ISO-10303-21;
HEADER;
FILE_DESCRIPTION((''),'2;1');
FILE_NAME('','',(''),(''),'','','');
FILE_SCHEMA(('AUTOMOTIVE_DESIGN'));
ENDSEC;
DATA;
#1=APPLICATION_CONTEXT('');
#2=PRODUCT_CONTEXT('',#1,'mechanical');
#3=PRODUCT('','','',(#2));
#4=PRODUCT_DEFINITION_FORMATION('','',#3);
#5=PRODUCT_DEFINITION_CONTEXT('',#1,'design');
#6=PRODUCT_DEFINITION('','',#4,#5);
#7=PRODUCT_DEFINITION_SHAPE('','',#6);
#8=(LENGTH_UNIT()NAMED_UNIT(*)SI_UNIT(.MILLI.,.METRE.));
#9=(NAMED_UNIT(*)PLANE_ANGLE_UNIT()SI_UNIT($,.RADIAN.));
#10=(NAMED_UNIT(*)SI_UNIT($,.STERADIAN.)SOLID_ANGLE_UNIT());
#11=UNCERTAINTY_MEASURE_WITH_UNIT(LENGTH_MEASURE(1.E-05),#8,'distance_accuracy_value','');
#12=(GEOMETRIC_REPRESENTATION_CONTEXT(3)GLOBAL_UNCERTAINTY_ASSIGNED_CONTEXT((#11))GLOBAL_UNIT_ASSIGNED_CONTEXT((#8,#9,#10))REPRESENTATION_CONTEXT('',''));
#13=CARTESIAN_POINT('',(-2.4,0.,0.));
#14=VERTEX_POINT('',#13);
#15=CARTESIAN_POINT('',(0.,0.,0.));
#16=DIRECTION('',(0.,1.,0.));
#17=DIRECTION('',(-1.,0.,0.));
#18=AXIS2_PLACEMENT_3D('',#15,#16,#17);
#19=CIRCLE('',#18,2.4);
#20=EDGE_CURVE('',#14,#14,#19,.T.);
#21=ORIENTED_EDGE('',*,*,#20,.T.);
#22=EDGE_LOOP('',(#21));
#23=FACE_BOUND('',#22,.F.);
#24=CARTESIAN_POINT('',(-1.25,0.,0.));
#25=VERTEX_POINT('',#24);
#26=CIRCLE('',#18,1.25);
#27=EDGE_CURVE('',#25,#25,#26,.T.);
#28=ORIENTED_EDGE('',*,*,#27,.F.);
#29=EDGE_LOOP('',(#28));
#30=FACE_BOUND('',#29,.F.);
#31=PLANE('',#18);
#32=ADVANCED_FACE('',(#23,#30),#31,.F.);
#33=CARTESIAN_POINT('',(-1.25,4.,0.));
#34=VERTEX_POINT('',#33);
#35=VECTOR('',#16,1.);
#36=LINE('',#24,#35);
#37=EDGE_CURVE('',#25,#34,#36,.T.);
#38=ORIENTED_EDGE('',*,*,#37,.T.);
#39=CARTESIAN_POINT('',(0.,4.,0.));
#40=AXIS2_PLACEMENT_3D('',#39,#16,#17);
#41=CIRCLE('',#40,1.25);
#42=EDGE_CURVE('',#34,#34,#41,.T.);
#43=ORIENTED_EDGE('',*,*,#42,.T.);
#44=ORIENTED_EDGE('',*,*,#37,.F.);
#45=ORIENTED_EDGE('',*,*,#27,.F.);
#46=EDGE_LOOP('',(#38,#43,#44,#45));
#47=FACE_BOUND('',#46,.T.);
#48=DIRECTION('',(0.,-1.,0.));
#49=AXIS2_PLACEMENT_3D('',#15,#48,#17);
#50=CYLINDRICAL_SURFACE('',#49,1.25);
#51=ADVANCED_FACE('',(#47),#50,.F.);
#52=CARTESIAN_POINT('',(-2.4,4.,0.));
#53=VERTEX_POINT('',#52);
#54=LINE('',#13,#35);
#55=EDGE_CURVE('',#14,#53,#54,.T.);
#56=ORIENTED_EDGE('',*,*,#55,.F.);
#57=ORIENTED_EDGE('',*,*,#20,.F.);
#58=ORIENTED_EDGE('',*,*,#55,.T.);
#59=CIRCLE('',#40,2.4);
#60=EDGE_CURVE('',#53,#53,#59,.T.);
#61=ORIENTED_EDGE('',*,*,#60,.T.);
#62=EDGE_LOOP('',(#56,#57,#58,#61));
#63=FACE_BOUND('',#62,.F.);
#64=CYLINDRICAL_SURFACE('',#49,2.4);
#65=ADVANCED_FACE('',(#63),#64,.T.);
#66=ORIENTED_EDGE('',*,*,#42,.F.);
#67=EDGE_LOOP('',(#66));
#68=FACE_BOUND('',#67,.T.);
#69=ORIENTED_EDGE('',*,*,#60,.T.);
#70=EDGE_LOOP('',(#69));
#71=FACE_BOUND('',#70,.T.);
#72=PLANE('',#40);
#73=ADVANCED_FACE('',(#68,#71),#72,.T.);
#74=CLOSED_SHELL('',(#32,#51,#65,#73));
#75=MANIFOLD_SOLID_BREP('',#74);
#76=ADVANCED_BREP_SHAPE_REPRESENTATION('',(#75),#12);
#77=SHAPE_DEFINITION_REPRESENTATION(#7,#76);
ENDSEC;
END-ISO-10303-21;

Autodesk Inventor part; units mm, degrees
ref_plane "YZ Plane" through (0, 0, 0) normal (1, 0, 0) x (0, 1, 0)
ref_plane "XZ Plane" through (0, 0, 0) normal (0, 1, 0) x (-1, 0, 0)
ref_plane "XY Plane" through (0, 0, 0) normal (0, 0, 1) x (1, 0, 0)
sketch "Sketch1" plane through (0, 0, 0) normal (0, 1, 0) x (-1, 0, 0)
  circle A0 centre (0, 0) radius 2.4
  circle A1 centre (0, 0) radius 1.25
  dimension "d0" = 4.8
  dimension "d1" = 2.5
extrude "Extrusion1" add sketch "Sketch1" along normal blind 4
properties part number "Bushing_3DPrint"
